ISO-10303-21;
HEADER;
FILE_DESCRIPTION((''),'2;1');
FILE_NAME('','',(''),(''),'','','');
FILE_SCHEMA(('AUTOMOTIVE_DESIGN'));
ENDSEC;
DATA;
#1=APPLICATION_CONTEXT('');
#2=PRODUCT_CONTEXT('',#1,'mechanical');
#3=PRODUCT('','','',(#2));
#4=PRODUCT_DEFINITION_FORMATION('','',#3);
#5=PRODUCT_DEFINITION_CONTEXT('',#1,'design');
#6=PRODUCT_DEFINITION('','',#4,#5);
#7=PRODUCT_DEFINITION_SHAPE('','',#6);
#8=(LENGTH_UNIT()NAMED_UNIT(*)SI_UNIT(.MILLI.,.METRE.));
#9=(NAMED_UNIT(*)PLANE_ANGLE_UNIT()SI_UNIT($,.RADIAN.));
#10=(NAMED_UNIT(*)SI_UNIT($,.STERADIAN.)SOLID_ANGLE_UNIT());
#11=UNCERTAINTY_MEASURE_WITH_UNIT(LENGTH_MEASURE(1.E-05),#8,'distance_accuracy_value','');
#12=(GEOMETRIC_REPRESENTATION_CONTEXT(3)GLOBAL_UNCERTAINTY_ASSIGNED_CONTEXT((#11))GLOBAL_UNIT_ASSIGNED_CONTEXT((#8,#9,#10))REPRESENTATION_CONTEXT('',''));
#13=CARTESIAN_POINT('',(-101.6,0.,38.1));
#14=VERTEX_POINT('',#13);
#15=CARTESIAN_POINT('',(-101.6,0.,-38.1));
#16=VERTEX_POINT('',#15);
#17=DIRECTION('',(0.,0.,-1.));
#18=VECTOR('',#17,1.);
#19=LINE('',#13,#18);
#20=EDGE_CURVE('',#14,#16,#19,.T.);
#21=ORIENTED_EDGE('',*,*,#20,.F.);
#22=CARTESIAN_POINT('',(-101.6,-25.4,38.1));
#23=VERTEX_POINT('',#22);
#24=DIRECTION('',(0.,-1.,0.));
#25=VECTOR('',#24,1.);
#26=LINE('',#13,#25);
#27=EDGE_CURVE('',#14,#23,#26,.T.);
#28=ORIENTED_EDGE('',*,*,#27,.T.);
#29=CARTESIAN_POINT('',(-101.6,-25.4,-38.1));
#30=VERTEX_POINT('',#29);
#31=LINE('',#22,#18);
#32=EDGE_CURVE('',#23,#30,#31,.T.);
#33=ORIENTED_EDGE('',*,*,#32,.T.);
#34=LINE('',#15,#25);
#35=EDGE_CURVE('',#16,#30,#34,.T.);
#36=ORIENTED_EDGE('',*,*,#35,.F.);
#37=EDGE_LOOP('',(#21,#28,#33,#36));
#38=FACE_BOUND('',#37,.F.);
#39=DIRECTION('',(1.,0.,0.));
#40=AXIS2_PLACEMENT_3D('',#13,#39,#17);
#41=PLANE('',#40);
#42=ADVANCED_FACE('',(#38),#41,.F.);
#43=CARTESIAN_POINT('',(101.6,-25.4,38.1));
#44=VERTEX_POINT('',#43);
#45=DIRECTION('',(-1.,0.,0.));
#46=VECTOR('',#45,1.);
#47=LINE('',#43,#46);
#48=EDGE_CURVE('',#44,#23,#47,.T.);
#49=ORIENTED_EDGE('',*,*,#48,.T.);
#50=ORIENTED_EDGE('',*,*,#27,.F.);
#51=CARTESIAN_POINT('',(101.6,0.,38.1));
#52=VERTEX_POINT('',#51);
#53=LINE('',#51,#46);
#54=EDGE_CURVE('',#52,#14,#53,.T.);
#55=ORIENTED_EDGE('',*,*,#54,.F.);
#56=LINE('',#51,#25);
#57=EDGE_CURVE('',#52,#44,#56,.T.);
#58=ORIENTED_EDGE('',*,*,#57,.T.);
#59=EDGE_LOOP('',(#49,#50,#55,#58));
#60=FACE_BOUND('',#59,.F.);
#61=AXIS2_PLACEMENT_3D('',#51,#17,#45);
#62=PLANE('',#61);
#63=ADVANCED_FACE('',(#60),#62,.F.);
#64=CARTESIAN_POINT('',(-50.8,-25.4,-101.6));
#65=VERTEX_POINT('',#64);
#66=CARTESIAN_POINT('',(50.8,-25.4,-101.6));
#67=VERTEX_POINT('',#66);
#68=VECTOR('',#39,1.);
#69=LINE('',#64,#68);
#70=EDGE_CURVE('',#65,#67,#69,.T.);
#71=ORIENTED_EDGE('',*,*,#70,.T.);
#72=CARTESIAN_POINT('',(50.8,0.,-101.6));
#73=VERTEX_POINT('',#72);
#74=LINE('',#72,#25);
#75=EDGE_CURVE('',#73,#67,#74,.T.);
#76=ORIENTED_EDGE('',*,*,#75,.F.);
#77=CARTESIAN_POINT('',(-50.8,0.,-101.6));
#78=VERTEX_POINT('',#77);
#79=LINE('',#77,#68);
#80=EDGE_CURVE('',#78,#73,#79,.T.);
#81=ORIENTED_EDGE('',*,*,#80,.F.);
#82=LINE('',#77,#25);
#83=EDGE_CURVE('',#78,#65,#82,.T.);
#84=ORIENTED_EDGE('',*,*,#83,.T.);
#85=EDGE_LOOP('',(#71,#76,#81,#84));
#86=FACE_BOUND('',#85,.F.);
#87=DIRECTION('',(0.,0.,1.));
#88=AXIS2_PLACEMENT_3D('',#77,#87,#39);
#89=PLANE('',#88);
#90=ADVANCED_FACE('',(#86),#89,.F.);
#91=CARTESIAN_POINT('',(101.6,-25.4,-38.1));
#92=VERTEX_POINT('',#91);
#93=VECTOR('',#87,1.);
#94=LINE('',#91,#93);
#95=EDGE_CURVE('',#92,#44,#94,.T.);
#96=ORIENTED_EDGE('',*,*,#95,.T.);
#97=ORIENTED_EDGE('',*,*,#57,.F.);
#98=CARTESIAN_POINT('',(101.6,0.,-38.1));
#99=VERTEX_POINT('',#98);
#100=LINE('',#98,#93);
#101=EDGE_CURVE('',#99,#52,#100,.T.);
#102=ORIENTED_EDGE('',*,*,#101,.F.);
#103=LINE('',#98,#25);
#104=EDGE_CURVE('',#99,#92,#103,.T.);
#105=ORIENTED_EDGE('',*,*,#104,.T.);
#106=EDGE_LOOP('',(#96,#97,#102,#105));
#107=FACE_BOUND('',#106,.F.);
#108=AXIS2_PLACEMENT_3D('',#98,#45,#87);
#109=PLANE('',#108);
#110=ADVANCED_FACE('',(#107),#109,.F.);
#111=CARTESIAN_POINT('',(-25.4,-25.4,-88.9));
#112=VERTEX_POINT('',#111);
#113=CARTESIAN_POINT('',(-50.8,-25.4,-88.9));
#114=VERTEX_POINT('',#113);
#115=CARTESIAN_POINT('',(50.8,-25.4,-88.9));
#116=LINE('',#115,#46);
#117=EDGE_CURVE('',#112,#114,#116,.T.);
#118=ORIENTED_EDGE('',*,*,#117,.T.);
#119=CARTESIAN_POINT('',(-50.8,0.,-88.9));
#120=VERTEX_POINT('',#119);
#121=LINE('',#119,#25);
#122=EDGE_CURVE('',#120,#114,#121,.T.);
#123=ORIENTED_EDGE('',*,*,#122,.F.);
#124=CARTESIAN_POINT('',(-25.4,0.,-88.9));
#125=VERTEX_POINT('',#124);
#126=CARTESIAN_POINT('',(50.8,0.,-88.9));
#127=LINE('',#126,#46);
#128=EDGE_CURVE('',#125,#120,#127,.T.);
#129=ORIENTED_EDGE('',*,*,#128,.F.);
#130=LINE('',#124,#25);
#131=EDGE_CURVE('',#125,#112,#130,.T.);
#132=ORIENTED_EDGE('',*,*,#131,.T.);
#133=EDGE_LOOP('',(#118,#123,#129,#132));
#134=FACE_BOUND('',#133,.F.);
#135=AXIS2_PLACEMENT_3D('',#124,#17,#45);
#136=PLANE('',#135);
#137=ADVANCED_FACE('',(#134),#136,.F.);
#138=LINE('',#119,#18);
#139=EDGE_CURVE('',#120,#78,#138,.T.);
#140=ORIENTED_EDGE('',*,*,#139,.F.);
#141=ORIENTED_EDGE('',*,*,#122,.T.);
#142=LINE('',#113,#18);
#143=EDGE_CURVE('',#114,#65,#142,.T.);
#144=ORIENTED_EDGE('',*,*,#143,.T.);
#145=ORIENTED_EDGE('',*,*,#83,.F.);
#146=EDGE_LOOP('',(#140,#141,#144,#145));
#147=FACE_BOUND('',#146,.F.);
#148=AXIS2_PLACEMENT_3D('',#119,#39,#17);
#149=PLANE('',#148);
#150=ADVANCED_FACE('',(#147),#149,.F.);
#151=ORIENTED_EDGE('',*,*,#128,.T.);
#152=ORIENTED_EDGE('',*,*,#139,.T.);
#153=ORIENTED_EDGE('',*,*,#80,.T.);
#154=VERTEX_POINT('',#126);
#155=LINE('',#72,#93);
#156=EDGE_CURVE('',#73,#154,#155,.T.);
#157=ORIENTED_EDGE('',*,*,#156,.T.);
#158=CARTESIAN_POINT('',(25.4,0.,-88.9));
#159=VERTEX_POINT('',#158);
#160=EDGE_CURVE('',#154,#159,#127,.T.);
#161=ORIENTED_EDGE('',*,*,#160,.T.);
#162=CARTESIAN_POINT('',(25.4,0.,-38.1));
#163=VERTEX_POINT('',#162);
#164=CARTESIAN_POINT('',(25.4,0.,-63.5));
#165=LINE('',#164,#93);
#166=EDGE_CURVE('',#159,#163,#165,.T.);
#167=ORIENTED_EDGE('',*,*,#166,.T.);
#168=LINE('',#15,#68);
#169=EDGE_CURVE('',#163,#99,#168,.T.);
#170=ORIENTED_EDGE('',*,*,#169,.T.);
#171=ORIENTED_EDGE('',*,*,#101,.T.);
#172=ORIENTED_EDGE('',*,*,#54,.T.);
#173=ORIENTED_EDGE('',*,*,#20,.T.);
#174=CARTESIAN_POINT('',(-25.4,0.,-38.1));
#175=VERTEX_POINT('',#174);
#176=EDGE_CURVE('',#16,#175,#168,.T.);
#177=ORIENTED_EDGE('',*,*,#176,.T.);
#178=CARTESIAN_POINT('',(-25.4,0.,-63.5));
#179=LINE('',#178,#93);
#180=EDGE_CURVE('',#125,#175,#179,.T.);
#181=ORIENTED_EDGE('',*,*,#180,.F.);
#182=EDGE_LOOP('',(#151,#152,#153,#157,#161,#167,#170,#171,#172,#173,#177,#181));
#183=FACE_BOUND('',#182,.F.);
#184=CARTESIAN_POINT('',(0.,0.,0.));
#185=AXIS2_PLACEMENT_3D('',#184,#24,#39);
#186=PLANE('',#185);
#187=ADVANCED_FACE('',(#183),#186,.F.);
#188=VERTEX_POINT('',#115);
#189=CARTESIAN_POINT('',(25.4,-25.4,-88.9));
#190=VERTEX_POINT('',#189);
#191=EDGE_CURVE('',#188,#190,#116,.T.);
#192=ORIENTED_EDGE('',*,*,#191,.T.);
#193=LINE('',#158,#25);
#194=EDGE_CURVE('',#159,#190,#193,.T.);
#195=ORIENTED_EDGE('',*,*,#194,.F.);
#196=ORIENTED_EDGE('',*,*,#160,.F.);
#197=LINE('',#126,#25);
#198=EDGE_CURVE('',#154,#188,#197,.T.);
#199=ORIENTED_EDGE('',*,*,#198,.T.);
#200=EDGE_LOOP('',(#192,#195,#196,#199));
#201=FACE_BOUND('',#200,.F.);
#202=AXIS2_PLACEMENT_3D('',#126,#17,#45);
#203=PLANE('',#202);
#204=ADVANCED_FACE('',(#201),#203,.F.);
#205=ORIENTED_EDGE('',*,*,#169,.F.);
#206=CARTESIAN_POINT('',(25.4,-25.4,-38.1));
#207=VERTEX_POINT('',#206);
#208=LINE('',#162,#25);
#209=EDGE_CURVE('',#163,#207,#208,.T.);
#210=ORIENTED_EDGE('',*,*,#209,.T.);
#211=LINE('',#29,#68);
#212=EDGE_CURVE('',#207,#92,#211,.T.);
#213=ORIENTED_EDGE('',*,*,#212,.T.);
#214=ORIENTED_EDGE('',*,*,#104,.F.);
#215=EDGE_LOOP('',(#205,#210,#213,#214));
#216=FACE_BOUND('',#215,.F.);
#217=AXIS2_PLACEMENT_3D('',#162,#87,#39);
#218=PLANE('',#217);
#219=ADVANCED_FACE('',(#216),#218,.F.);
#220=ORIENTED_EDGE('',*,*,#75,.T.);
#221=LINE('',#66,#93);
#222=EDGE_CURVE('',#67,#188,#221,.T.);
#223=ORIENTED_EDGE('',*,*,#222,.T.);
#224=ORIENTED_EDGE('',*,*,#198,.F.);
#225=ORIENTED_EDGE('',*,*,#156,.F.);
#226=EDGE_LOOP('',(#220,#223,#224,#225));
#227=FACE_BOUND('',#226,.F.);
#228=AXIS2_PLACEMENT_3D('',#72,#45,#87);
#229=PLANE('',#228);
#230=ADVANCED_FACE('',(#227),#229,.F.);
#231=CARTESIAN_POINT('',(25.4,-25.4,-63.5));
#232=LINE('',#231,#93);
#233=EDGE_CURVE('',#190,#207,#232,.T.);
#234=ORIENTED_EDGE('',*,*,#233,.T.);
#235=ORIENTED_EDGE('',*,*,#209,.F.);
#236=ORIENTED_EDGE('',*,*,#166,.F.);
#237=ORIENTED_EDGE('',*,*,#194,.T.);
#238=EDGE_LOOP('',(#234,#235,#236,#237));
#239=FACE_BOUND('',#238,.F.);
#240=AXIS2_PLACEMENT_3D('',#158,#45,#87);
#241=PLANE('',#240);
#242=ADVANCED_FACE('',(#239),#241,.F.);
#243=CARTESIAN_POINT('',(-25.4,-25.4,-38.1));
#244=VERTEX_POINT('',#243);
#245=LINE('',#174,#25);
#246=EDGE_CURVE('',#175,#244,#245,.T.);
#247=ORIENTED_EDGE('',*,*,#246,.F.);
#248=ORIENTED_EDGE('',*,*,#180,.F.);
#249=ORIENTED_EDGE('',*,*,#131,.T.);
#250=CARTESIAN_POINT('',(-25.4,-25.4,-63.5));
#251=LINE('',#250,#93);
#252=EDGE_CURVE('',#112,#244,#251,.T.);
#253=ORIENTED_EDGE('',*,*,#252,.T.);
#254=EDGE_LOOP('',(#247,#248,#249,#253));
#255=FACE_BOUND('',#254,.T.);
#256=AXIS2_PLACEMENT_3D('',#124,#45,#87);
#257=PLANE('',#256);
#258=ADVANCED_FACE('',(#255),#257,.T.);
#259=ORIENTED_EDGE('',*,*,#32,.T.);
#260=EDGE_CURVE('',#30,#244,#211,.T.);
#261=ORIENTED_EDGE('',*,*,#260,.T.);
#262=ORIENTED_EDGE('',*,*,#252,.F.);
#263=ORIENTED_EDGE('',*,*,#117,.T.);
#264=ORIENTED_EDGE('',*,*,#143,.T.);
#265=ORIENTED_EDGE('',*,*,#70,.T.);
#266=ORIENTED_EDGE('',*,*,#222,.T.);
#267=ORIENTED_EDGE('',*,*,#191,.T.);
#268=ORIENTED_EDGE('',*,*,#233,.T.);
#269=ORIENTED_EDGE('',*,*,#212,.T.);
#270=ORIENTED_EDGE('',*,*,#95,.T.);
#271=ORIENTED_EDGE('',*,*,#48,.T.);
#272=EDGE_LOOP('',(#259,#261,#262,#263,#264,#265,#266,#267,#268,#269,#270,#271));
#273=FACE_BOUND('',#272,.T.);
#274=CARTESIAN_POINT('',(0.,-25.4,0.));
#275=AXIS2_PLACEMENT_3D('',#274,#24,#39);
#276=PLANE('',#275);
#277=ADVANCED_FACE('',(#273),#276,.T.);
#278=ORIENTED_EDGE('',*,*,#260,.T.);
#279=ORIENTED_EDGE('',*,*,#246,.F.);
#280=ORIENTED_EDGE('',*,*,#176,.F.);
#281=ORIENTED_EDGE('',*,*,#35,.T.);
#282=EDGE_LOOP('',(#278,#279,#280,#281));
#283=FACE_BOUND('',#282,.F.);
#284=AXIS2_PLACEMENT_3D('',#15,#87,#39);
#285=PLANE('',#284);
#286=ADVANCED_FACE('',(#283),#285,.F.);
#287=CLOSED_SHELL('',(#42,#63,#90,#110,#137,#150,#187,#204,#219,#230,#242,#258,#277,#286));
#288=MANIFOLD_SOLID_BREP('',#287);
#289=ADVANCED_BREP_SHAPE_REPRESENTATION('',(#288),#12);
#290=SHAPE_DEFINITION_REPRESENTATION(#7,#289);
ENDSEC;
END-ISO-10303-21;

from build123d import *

# Parameters (mm, degrees)
F0_W     = 50.8
F0_H     = 50.8
F1_DEPTH = 25.4


with BuildPart() as f1:
    # F0 (on Front) → F1 (new body)
    with BuildSketch(Plane.XZ):
        Polygon((101.6, 38.1), (-101.6, 38.1), (-101.6, -38.1), (-25.4, -38.1), (25.4, -38.1), (101.6, -38.1), align=None)
        Polygon((25.4, -88.9), (-25.4, -88.9), (-50.8, -88.9), (-50.8, -101.6), (50.8, -101.6), (50.8, -88.9), align=None)
        with Locations((0, -63.5)):
            Rectangle(F0_W, F0_H)
    extrude(amount=F1_DEPTH)


solid = f1.part
